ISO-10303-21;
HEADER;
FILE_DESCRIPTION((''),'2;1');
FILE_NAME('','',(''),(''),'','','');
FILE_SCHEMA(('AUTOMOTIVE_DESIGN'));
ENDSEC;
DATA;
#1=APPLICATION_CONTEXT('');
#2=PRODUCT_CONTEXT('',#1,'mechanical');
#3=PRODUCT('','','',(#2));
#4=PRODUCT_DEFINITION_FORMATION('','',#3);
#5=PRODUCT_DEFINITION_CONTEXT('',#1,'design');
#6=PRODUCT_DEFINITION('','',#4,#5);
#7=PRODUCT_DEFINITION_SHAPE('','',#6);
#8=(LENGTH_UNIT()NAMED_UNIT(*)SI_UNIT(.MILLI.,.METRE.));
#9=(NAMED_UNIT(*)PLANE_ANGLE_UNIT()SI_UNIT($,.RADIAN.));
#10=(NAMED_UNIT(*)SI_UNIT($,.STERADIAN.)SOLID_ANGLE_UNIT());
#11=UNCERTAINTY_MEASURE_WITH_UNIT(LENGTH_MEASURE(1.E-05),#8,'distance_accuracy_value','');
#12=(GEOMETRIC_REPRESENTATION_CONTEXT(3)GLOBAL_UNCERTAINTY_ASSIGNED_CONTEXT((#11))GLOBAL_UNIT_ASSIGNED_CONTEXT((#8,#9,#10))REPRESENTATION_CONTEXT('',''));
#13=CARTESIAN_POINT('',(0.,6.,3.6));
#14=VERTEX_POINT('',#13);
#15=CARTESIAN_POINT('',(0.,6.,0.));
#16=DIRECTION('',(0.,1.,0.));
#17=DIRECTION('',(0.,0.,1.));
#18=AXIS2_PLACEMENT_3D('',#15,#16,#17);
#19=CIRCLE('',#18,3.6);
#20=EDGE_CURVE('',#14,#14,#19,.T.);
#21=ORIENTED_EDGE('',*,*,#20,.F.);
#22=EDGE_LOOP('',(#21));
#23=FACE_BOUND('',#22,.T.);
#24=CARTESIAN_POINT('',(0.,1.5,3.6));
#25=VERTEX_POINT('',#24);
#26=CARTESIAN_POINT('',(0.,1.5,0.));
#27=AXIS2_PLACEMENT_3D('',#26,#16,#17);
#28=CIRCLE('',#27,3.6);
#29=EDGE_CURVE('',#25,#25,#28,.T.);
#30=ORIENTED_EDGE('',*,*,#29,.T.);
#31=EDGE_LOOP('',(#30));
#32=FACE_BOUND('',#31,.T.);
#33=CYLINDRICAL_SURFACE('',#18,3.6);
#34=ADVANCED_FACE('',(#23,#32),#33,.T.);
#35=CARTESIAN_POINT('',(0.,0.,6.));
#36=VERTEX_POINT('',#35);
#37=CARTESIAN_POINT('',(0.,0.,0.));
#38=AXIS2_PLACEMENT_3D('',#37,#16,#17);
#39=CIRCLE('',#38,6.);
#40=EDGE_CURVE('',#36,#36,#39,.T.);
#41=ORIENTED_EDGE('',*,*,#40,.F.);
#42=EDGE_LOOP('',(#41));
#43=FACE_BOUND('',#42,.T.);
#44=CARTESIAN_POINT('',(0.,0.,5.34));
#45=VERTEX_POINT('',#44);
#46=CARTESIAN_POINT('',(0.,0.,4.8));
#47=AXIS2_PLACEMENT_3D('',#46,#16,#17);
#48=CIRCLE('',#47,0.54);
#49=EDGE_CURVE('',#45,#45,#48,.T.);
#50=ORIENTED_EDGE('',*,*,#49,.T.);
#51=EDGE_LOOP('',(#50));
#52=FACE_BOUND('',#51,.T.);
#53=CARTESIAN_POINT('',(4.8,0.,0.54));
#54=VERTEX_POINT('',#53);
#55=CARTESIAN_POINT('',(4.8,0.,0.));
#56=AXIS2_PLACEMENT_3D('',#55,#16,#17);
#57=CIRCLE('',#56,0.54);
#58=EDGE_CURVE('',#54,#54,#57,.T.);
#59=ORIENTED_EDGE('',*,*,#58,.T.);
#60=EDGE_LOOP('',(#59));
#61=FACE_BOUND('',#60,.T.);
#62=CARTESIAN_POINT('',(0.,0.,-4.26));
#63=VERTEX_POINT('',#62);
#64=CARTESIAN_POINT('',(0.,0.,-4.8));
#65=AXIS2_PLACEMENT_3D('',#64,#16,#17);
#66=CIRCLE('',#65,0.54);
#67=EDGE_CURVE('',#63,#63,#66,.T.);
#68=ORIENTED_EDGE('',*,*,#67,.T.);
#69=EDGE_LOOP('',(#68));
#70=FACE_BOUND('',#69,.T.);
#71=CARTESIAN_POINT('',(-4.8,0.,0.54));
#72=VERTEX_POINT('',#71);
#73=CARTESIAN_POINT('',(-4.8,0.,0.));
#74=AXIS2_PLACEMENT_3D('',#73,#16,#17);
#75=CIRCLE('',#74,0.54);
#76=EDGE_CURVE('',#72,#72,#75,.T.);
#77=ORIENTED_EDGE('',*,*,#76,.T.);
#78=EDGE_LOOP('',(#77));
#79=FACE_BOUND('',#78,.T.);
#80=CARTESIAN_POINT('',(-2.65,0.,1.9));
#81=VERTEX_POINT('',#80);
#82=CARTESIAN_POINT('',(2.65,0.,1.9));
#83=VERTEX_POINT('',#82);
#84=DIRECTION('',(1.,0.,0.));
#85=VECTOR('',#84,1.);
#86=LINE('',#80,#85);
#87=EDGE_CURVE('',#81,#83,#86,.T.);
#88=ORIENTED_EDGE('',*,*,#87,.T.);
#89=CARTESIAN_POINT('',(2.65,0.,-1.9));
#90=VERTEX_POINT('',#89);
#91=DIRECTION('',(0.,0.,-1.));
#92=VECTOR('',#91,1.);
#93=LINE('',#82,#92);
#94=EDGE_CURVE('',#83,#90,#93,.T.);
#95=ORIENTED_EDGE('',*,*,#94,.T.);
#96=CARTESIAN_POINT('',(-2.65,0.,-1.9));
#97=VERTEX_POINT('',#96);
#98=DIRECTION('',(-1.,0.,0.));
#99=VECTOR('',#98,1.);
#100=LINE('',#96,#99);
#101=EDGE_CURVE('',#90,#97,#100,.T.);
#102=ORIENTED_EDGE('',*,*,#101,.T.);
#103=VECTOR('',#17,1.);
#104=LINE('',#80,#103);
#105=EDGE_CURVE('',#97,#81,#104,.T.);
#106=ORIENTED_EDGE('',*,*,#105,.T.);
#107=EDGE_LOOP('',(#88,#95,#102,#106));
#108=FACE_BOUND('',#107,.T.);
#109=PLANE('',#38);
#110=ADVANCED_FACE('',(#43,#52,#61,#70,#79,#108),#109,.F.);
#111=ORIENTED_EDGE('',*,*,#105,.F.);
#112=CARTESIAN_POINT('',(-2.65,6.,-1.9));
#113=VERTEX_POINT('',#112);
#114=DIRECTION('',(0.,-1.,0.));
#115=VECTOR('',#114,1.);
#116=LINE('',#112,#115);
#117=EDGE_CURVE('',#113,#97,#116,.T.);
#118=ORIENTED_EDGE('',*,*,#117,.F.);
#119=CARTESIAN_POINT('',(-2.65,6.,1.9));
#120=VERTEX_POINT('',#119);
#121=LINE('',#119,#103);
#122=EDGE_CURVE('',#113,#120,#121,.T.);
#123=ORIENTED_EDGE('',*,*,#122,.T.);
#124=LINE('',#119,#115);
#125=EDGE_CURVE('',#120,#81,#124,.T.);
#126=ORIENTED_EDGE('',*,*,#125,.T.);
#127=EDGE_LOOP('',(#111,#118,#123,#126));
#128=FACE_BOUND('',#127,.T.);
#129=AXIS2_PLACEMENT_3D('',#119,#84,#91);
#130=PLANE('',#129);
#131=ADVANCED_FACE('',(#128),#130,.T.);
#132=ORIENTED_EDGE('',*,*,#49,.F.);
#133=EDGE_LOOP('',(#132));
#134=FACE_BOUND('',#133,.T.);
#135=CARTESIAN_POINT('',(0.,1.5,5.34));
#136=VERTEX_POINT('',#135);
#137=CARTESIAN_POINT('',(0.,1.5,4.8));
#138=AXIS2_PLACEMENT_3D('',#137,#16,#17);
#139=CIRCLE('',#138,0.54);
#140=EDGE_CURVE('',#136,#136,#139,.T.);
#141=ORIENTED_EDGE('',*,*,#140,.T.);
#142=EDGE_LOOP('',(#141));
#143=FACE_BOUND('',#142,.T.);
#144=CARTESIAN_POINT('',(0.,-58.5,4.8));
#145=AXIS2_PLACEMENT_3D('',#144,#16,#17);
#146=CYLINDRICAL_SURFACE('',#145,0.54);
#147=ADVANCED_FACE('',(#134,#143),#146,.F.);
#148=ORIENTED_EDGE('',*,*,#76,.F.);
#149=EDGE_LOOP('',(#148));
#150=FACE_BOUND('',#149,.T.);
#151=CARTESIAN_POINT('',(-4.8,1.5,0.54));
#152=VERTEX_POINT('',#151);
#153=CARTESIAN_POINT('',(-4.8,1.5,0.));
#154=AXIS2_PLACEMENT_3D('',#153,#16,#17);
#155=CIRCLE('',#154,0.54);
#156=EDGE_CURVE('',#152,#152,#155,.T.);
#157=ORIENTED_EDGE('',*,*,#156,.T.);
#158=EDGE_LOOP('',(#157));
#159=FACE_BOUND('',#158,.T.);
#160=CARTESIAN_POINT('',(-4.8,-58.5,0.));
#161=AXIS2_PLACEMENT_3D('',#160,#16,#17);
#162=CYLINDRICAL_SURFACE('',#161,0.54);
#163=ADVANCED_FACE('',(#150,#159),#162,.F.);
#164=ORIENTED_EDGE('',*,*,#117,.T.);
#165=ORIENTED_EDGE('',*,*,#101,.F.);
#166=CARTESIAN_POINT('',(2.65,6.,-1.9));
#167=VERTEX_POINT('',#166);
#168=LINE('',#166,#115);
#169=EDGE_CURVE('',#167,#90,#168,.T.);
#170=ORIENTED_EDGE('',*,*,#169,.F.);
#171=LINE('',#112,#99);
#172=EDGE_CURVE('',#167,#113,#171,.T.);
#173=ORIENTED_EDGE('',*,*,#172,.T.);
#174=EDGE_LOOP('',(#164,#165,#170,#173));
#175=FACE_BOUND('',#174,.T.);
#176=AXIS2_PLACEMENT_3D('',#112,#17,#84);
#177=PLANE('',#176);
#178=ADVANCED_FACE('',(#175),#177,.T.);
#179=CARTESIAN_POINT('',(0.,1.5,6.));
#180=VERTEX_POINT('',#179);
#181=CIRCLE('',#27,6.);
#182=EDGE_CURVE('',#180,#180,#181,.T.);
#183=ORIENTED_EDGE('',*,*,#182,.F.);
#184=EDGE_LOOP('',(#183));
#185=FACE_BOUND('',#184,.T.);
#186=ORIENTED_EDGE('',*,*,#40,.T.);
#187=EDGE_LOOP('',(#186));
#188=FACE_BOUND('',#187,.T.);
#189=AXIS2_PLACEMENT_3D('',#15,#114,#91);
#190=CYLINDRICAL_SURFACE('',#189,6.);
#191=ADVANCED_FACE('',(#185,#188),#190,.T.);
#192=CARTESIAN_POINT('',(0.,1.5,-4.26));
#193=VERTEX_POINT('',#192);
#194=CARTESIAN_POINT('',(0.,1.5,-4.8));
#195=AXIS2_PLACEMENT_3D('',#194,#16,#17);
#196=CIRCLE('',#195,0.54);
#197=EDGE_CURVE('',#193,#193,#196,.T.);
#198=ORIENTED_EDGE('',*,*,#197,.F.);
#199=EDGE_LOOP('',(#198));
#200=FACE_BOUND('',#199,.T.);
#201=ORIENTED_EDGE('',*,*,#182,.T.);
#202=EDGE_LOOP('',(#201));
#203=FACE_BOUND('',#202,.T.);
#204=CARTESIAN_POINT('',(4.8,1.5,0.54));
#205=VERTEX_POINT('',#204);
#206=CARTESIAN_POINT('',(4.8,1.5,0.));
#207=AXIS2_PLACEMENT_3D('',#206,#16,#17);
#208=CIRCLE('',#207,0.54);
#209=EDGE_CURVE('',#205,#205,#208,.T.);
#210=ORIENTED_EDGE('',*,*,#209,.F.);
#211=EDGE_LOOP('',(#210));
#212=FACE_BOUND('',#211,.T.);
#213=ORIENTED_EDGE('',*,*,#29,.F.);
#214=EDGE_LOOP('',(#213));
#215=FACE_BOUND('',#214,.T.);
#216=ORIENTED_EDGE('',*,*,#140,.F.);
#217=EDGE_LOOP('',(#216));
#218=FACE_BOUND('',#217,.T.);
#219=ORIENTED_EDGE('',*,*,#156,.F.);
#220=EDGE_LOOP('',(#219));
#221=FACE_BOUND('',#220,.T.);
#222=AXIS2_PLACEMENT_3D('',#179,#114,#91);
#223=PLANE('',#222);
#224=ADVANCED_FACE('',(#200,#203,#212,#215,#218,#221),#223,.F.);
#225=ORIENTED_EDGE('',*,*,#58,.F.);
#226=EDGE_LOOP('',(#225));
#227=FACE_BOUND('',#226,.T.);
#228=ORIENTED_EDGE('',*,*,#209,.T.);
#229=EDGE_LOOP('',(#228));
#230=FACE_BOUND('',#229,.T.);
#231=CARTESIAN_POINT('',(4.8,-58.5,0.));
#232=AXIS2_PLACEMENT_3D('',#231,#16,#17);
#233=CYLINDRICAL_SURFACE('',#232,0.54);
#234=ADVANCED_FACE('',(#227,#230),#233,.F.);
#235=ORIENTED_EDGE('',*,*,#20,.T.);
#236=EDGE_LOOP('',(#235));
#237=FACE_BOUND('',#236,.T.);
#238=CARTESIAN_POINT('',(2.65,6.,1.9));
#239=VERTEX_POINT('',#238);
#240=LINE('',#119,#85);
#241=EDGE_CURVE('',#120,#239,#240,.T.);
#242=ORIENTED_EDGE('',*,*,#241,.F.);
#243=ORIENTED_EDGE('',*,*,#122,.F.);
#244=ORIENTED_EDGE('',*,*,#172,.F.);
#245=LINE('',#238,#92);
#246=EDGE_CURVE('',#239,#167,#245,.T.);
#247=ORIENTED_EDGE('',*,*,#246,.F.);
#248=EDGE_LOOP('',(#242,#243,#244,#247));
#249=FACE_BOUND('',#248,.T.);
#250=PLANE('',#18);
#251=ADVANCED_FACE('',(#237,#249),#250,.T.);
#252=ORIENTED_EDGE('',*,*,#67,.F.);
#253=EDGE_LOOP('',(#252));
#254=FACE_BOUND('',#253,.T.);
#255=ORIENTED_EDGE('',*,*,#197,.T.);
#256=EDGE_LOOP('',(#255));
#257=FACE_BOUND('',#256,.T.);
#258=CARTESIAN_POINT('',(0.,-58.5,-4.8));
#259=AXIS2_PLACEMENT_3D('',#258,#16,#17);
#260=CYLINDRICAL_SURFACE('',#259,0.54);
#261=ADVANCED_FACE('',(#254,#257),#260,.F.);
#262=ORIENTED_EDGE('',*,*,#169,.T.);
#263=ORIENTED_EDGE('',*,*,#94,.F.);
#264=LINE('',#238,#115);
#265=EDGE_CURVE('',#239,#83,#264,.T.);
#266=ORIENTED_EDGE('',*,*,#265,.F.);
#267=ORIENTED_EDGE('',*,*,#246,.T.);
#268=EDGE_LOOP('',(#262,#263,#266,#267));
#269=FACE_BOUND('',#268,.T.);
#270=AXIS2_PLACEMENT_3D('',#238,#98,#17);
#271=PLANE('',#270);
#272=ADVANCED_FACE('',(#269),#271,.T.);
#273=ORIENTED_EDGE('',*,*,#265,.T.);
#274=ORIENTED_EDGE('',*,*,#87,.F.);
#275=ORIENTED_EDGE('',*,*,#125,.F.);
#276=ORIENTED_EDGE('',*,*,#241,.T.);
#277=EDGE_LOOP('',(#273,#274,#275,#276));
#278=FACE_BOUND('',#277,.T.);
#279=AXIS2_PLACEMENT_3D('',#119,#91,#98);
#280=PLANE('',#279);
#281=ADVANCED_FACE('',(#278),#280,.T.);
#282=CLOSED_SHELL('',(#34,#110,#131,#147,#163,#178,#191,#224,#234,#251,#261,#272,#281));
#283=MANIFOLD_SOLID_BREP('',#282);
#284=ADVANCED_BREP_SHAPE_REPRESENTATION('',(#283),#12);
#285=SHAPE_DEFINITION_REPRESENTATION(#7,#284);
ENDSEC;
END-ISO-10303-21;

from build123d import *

# Parameters (mm, degrees)
SKETCH1_R           = 6
SKETCH1_W           = 5.3
SKETCH1_H           = 3.8
BOSS_EXTRUDE1_DEPTH = 6
SKETCH6_W           = 2.4
SKETCH6_H           = 4.5
SKETCH10_R          = 0.54
CUT_EXTRUDE2_DEPTH  = 60


with BuildPart() as part:
    # Sketch1 → Boss-Extrude1 (new body)
    with BuildSketch(Plane(origin=(0, 0, 0), x_dir=(1, 0, 0), z_dir=(0, 1, 0))):
        with Locations(Location((0, 0, 0), (0, 0, 270))):
            Circle(SKETCH1_R)
        Rectangle(SKETCH1_W, SKETCH1_H, mode=Mode.SUBTRACT)
    extrude(amount=BOSS_EXTRUDE1_DEPTH)

    # Sketch6 → Cut-Revolve1 (revolve, cut)
    with BuildSketch(Plane(origin=(0, 0, 0), x_dir=(0, 0, -1), z_dir=(1, 0, 0))):
        with Locations((-4.8, 3.75)):
            Rectangle(SKETCH6_W, SKETCH6_H)
    revolve(axis=Axis((0, 6, 0), (0, -1, 0)), mode=Mode.SUBTRACT)

    # Sketch10 → Cut-Extrude2 (cut)
    with BuildSketch(Plane(origin=(0, 1.5, 0), x_dir=(1, 0, 0), z_dir=(0, 1, 0))):
        with Locations(Location((-4.8, 0, 0), (0, 0, 270))):
            Circle(SKETCH10_R)
        with Locations(Location((0, -4.8, 0), (0, 0, 270))):
            Circle(SKETCH10_R)
        with Locations(Location((4.8, 0, 0), (0, 0, 270))):
            Circle(SKETCH10_R)
        with Locations(Location((0, 4.8, 0), (0, 0, 270))):
            Circle(SKETCH10_R)
    extrude(amount=-CUT_EXTRUDE2_DEPTH, mode=Mode.SUBTRACT)


solid = part.part
